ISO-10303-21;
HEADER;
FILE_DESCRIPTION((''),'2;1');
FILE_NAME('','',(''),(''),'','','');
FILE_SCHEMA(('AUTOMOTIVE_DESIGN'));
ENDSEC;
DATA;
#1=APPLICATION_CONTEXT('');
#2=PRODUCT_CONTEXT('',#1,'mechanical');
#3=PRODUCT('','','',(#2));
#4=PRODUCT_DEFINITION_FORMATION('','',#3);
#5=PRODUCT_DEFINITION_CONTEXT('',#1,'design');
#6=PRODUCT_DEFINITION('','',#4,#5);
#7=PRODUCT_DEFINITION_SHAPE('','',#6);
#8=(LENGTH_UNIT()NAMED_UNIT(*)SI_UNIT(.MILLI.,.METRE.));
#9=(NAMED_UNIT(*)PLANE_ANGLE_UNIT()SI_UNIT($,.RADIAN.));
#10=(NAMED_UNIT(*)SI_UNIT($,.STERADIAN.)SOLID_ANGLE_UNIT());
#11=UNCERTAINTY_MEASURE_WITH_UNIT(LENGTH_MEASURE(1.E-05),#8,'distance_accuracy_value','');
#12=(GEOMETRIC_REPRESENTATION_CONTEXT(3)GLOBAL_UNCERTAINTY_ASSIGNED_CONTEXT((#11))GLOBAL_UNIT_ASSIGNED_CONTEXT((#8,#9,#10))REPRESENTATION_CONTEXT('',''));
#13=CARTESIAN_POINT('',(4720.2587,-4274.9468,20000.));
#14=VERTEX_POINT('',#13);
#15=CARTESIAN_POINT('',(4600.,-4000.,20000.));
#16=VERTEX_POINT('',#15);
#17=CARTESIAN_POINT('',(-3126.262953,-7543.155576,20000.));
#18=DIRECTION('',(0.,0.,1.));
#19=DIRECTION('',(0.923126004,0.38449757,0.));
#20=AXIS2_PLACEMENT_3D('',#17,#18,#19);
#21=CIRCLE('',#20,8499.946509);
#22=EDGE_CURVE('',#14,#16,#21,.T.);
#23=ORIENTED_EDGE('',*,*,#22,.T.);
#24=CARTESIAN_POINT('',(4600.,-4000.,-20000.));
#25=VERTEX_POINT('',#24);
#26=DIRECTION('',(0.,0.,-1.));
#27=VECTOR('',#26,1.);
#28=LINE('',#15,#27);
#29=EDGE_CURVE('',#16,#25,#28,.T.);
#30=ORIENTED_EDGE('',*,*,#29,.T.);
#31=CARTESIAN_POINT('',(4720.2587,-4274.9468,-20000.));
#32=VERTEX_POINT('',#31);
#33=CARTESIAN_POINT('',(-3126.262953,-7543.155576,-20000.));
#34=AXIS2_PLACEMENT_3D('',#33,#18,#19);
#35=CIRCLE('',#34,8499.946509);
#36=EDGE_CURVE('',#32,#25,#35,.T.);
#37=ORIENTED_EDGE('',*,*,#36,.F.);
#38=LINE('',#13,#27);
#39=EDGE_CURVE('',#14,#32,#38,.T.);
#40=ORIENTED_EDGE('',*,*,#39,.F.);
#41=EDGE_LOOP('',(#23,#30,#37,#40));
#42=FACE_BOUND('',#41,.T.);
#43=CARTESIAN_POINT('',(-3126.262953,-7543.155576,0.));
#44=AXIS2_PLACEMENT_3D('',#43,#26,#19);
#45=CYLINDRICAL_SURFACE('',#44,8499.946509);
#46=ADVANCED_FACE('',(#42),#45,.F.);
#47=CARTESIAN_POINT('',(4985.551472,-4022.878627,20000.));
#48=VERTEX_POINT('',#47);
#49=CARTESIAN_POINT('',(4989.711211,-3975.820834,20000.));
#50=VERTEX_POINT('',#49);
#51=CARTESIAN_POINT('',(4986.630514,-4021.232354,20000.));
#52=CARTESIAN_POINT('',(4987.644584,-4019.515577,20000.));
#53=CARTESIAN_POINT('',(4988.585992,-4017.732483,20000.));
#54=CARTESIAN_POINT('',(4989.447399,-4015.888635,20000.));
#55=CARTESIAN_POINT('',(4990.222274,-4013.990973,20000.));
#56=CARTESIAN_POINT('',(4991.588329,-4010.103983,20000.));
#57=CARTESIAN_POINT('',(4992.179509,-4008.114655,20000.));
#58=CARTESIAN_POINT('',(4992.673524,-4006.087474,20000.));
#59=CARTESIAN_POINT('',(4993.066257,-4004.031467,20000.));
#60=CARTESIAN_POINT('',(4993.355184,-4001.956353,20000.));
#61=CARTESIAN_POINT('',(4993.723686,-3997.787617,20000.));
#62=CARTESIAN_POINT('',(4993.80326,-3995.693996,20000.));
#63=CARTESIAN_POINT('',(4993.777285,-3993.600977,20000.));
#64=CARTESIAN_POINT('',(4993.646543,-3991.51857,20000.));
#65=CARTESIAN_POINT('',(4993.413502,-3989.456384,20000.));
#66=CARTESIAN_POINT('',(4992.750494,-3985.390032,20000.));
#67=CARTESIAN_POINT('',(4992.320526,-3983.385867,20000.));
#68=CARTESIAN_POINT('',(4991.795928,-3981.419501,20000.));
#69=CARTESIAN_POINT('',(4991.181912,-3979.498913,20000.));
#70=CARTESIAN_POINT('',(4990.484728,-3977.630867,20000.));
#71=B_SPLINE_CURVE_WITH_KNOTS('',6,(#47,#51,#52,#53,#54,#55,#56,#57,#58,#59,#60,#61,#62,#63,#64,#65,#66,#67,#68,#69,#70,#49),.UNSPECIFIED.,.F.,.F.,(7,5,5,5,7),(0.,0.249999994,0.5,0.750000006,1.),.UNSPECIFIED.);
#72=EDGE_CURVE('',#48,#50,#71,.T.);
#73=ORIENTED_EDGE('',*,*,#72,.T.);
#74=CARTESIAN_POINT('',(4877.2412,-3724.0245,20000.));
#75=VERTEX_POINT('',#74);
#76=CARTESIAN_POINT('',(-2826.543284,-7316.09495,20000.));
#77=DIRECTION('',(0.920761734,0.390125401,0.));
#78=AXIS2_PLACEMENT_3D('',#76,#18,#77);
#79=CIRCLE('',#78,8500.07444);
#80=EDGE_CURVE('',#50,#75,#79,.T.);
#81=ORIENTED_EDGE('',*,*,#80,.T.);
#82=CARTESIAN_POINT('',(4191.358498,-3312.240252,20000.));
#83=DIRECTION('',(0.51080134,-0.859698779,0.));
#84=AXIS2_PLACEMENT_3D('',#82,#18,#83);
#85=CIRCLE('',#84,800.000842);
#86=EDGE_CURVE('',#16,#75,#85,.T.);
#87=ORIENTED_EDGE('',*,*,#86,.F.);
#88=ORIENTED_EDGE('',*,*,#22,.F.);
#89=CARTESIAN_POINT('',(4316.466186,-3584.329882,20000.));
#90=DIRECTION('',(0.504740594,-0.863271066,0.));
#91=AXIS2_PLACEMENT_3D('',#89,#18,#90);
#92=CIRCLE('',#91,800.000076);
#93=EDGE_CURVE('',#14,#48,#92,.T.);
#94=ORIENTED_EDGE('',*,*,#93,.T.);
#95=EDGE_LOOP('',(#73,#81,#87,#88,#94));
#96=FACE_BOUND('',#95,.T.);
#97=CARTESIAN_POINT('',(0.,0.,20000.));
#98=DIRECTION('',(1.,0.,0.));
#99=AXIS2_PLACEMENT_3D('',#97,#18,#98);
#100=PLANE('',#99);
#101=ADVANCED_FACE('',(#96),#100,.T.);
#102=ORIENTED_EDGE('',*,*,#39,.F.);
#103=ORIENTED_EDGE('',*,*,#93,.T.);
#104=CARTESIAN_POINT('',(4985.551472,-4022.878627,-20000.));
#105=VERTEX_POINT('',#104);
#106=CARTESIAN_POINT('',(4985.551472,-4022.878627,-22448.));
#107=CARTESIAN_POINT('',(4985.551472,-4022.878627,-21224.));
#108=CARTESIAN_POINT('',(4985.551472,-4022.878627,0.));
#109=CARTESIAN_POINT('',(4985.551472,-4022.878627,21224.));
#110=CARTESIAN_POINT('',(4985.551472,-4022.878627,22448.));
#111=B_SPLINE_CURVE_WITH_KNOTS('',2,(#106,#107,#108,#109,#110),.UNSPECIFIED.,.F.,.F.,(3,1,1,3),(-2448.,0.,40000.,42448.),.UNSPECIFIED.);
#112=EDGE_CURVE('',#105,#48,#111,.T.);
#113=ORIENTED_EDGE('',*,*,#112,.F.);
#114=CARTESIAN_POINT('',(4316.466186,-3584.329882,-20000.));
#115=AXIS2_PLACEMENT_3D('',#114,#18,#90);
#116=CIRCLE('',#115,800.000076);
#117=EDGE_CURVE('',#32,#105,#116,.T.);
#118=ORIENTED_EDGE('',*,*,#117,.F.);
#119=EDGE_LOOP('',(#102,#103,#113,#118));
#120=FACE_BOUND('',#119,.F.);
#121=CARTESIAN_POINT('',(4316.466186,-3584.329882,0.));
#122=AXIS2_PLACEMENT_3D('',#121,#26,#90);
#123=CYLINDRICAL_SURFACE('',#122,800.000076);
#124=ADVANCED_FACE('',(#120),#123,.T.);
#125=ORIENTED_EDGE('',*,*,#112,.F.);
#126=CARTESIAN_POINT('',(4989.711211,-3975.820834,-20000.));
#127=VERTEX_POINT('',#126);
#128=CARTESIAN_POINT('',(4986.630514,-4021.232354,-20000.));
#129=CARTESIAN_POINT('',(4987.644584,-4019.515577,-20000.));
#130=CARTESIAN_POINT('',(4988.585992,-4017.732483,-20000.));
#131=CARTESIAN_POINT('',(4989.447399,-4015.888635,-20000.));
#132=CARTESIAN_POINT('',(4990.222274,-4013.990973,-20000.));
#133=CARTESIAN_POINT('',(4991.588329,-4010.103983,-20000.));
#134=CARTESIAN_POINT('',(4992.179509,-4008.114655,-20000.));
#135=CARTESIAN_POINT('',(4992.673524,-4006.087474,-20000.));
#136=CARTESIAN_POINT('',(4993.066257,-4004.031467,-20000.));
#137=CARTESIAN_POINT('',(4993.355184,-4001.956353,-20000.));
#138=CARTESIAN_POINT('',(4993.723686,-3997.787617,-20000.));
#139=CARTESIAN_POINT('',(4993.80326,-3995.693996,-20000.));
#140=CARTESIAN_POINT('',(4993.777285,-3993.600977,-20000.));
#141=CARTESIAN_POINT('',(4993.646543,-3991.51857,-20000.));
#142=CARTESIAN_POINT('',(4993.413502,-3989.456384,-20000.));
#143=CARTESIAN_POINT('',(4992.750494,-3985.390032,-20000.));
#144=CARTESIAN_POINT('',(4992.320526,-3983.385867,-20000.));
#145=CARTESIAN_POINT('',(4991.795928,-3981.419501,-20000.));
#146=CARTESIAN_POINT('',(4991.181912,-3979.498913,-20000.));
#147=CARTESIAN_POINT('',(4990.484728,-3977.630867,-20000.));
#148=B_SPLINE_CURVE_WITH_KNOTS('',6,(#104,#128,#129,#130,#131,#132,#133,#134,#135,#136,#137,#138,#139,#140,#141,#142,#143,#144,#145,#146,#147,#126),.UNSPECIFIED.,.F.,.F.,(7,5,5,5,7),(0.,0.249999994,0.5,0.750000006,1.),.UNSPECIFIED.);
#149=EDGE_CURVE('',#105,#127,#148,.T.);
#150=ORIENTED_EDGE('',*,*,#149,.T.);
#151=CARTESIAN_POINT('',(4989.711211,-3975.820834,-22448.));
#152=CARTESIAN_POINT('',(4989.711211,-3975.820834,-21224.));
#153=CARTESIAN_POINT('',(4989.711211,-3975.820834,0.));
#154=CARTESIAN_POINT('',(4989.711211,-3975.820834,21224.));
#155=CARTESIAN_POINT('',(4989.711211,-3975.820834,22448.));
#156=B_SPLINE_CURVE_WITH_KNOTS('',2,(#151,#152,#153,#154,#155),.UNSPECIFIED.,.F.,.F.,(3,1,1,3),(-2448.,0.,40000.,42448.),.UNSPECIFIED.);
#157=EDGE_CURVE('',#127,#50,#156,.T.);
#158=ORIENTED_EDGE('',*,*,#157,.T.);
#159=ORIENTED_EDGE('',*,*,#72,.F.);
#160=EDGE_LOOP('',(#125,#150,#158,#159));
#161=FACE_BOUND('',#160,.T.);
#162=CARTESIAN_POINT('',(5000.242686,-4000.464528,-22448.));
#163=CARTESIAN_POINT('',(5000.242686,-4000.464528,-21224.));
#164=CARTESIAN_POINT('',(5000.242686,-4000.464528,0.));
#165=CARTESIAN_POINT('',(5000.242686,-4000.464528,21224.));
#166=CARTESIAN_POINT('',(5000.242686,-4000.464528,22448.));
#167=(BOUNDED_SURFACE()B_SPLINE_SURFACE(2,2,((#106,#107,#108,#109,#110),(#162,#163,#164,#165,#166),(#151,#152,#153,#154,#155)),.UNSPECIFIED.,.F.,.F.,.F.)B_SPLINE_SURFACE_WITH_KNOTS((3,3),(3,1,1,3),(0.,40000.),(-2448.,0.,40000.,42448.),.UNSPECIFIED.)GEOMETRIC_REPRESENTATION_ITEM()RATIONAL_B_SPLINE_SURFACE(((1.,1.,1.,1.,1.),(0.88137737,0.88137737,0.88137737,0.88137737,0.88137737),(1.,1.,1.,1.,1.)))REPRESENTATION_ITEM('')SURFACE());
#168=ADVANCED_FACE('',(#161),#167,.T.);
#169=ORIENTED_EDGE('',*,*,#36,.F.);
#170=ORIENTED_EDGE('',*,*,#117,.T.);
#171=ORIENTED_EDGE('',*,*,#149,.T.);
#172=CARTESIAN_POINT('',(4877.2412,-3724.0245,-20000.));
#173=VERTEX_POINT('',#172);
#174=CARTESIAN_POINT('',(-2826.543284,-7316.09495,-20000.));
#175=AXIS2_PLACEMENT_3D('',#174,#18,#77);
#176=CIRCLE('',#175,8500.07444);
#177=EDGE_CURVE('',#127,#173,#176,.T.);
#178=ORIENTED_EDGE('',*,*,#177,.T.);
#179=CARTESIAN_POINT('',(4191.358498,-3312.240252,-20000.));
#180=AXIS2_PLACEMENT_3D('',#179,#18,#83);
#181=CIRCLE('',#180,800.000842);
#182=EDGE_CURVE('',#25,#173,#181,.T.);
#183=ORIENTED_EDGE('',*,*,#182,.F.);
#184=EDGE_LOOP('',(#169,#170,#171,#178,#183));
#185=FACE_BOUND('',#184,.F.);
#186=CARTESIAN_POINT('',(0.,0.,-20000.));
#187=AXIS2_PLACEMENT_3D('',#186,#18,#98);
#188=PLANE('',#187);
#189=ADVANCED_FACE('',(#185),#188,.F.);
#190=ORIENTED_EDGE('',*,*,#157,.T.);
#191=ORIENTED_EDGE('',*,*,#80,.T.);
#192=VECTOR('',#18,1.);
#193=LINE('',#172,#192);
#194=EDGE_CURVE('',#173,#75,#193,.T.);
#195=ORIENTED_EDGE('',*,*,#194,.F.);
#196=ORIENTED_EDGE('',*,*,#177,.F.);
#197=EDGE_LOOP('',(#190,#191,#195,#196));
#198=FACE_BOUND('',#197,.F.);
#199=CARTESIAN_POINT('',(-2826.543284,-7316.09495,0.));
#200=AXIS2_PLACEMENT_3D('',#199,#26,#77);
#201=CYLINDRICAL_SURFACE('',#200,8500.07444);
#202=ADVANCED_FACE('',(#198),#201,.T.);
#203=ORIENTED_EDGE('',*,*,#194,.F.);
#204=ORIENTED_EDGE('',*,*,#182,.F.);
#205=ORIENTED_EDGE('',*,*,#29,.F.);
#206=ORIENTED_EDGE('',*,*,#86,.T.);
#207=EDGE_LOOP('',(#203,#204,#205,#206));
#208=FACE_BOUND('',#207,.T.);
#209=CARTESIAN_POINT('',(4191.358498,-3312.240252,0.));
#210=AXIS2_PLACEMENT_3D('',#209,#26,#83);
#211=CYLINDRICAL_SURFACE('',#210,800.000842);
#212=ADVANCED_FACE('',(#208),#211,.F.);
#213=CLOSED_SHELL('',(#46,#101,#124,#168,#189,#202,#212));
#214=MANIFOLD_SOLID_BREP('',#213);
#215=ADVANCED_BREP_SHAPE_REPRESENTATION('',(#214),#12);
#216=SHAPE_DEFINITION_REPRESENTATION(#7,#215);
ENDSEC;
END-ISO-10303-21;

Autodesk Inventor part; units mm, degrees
ref_plane "YZ Plane" through (0, 0, 0) normal (1, 0, 0) x (0, 1, 0)
ref_plane "XZ Plane" through (0, 0, 0) normal (0, 1, 0) x (-1, 0, 0)
ref_plane "XY Plane" through (0, 0, 0) normal (0, 0, 1) x (1, 0, 0)
sketch "Sketch2" plane through (0, 0, 0) normal (0, 0, 1) x (1, 0, 0)
  arc A0 (5000, -4000) -> (4877.2412, -3724.0245) centre (-2826.475, -7316.0653) ccw
  arc A1 (4720.2587, -4274.9468) -> (4600, -4000) centre (-3126.3122, -7543.1766) ccw
  arc A2 (4720.2587, -4274.9468) -> (5000, -4000) centre (4316.4662, -3584.3299) ccw
  line L0 (149.7898, 300.1107) -> (0, 300.1107)
  line L1 (4600, -4000) -> (5418.8433, -4000) construction
  arc A3 (4600, -4000) -> (4877.2412, -3724.0245) centre (4191.359, -3312.2409) ccw
  point P0 (0, 0)
  point P1 (0, 700.233)
  dimension "d5" = 8500
  dimension "d20" = 800
extrude "Extrusion3" add sketch "Sketch2" along normal blind 20000 and the other way blind 20000
fillet "Fillet2" radius 50 1 edges at (5000, -4000, 0)
properties part number "curve_beam" material "Wood (Maple)"
